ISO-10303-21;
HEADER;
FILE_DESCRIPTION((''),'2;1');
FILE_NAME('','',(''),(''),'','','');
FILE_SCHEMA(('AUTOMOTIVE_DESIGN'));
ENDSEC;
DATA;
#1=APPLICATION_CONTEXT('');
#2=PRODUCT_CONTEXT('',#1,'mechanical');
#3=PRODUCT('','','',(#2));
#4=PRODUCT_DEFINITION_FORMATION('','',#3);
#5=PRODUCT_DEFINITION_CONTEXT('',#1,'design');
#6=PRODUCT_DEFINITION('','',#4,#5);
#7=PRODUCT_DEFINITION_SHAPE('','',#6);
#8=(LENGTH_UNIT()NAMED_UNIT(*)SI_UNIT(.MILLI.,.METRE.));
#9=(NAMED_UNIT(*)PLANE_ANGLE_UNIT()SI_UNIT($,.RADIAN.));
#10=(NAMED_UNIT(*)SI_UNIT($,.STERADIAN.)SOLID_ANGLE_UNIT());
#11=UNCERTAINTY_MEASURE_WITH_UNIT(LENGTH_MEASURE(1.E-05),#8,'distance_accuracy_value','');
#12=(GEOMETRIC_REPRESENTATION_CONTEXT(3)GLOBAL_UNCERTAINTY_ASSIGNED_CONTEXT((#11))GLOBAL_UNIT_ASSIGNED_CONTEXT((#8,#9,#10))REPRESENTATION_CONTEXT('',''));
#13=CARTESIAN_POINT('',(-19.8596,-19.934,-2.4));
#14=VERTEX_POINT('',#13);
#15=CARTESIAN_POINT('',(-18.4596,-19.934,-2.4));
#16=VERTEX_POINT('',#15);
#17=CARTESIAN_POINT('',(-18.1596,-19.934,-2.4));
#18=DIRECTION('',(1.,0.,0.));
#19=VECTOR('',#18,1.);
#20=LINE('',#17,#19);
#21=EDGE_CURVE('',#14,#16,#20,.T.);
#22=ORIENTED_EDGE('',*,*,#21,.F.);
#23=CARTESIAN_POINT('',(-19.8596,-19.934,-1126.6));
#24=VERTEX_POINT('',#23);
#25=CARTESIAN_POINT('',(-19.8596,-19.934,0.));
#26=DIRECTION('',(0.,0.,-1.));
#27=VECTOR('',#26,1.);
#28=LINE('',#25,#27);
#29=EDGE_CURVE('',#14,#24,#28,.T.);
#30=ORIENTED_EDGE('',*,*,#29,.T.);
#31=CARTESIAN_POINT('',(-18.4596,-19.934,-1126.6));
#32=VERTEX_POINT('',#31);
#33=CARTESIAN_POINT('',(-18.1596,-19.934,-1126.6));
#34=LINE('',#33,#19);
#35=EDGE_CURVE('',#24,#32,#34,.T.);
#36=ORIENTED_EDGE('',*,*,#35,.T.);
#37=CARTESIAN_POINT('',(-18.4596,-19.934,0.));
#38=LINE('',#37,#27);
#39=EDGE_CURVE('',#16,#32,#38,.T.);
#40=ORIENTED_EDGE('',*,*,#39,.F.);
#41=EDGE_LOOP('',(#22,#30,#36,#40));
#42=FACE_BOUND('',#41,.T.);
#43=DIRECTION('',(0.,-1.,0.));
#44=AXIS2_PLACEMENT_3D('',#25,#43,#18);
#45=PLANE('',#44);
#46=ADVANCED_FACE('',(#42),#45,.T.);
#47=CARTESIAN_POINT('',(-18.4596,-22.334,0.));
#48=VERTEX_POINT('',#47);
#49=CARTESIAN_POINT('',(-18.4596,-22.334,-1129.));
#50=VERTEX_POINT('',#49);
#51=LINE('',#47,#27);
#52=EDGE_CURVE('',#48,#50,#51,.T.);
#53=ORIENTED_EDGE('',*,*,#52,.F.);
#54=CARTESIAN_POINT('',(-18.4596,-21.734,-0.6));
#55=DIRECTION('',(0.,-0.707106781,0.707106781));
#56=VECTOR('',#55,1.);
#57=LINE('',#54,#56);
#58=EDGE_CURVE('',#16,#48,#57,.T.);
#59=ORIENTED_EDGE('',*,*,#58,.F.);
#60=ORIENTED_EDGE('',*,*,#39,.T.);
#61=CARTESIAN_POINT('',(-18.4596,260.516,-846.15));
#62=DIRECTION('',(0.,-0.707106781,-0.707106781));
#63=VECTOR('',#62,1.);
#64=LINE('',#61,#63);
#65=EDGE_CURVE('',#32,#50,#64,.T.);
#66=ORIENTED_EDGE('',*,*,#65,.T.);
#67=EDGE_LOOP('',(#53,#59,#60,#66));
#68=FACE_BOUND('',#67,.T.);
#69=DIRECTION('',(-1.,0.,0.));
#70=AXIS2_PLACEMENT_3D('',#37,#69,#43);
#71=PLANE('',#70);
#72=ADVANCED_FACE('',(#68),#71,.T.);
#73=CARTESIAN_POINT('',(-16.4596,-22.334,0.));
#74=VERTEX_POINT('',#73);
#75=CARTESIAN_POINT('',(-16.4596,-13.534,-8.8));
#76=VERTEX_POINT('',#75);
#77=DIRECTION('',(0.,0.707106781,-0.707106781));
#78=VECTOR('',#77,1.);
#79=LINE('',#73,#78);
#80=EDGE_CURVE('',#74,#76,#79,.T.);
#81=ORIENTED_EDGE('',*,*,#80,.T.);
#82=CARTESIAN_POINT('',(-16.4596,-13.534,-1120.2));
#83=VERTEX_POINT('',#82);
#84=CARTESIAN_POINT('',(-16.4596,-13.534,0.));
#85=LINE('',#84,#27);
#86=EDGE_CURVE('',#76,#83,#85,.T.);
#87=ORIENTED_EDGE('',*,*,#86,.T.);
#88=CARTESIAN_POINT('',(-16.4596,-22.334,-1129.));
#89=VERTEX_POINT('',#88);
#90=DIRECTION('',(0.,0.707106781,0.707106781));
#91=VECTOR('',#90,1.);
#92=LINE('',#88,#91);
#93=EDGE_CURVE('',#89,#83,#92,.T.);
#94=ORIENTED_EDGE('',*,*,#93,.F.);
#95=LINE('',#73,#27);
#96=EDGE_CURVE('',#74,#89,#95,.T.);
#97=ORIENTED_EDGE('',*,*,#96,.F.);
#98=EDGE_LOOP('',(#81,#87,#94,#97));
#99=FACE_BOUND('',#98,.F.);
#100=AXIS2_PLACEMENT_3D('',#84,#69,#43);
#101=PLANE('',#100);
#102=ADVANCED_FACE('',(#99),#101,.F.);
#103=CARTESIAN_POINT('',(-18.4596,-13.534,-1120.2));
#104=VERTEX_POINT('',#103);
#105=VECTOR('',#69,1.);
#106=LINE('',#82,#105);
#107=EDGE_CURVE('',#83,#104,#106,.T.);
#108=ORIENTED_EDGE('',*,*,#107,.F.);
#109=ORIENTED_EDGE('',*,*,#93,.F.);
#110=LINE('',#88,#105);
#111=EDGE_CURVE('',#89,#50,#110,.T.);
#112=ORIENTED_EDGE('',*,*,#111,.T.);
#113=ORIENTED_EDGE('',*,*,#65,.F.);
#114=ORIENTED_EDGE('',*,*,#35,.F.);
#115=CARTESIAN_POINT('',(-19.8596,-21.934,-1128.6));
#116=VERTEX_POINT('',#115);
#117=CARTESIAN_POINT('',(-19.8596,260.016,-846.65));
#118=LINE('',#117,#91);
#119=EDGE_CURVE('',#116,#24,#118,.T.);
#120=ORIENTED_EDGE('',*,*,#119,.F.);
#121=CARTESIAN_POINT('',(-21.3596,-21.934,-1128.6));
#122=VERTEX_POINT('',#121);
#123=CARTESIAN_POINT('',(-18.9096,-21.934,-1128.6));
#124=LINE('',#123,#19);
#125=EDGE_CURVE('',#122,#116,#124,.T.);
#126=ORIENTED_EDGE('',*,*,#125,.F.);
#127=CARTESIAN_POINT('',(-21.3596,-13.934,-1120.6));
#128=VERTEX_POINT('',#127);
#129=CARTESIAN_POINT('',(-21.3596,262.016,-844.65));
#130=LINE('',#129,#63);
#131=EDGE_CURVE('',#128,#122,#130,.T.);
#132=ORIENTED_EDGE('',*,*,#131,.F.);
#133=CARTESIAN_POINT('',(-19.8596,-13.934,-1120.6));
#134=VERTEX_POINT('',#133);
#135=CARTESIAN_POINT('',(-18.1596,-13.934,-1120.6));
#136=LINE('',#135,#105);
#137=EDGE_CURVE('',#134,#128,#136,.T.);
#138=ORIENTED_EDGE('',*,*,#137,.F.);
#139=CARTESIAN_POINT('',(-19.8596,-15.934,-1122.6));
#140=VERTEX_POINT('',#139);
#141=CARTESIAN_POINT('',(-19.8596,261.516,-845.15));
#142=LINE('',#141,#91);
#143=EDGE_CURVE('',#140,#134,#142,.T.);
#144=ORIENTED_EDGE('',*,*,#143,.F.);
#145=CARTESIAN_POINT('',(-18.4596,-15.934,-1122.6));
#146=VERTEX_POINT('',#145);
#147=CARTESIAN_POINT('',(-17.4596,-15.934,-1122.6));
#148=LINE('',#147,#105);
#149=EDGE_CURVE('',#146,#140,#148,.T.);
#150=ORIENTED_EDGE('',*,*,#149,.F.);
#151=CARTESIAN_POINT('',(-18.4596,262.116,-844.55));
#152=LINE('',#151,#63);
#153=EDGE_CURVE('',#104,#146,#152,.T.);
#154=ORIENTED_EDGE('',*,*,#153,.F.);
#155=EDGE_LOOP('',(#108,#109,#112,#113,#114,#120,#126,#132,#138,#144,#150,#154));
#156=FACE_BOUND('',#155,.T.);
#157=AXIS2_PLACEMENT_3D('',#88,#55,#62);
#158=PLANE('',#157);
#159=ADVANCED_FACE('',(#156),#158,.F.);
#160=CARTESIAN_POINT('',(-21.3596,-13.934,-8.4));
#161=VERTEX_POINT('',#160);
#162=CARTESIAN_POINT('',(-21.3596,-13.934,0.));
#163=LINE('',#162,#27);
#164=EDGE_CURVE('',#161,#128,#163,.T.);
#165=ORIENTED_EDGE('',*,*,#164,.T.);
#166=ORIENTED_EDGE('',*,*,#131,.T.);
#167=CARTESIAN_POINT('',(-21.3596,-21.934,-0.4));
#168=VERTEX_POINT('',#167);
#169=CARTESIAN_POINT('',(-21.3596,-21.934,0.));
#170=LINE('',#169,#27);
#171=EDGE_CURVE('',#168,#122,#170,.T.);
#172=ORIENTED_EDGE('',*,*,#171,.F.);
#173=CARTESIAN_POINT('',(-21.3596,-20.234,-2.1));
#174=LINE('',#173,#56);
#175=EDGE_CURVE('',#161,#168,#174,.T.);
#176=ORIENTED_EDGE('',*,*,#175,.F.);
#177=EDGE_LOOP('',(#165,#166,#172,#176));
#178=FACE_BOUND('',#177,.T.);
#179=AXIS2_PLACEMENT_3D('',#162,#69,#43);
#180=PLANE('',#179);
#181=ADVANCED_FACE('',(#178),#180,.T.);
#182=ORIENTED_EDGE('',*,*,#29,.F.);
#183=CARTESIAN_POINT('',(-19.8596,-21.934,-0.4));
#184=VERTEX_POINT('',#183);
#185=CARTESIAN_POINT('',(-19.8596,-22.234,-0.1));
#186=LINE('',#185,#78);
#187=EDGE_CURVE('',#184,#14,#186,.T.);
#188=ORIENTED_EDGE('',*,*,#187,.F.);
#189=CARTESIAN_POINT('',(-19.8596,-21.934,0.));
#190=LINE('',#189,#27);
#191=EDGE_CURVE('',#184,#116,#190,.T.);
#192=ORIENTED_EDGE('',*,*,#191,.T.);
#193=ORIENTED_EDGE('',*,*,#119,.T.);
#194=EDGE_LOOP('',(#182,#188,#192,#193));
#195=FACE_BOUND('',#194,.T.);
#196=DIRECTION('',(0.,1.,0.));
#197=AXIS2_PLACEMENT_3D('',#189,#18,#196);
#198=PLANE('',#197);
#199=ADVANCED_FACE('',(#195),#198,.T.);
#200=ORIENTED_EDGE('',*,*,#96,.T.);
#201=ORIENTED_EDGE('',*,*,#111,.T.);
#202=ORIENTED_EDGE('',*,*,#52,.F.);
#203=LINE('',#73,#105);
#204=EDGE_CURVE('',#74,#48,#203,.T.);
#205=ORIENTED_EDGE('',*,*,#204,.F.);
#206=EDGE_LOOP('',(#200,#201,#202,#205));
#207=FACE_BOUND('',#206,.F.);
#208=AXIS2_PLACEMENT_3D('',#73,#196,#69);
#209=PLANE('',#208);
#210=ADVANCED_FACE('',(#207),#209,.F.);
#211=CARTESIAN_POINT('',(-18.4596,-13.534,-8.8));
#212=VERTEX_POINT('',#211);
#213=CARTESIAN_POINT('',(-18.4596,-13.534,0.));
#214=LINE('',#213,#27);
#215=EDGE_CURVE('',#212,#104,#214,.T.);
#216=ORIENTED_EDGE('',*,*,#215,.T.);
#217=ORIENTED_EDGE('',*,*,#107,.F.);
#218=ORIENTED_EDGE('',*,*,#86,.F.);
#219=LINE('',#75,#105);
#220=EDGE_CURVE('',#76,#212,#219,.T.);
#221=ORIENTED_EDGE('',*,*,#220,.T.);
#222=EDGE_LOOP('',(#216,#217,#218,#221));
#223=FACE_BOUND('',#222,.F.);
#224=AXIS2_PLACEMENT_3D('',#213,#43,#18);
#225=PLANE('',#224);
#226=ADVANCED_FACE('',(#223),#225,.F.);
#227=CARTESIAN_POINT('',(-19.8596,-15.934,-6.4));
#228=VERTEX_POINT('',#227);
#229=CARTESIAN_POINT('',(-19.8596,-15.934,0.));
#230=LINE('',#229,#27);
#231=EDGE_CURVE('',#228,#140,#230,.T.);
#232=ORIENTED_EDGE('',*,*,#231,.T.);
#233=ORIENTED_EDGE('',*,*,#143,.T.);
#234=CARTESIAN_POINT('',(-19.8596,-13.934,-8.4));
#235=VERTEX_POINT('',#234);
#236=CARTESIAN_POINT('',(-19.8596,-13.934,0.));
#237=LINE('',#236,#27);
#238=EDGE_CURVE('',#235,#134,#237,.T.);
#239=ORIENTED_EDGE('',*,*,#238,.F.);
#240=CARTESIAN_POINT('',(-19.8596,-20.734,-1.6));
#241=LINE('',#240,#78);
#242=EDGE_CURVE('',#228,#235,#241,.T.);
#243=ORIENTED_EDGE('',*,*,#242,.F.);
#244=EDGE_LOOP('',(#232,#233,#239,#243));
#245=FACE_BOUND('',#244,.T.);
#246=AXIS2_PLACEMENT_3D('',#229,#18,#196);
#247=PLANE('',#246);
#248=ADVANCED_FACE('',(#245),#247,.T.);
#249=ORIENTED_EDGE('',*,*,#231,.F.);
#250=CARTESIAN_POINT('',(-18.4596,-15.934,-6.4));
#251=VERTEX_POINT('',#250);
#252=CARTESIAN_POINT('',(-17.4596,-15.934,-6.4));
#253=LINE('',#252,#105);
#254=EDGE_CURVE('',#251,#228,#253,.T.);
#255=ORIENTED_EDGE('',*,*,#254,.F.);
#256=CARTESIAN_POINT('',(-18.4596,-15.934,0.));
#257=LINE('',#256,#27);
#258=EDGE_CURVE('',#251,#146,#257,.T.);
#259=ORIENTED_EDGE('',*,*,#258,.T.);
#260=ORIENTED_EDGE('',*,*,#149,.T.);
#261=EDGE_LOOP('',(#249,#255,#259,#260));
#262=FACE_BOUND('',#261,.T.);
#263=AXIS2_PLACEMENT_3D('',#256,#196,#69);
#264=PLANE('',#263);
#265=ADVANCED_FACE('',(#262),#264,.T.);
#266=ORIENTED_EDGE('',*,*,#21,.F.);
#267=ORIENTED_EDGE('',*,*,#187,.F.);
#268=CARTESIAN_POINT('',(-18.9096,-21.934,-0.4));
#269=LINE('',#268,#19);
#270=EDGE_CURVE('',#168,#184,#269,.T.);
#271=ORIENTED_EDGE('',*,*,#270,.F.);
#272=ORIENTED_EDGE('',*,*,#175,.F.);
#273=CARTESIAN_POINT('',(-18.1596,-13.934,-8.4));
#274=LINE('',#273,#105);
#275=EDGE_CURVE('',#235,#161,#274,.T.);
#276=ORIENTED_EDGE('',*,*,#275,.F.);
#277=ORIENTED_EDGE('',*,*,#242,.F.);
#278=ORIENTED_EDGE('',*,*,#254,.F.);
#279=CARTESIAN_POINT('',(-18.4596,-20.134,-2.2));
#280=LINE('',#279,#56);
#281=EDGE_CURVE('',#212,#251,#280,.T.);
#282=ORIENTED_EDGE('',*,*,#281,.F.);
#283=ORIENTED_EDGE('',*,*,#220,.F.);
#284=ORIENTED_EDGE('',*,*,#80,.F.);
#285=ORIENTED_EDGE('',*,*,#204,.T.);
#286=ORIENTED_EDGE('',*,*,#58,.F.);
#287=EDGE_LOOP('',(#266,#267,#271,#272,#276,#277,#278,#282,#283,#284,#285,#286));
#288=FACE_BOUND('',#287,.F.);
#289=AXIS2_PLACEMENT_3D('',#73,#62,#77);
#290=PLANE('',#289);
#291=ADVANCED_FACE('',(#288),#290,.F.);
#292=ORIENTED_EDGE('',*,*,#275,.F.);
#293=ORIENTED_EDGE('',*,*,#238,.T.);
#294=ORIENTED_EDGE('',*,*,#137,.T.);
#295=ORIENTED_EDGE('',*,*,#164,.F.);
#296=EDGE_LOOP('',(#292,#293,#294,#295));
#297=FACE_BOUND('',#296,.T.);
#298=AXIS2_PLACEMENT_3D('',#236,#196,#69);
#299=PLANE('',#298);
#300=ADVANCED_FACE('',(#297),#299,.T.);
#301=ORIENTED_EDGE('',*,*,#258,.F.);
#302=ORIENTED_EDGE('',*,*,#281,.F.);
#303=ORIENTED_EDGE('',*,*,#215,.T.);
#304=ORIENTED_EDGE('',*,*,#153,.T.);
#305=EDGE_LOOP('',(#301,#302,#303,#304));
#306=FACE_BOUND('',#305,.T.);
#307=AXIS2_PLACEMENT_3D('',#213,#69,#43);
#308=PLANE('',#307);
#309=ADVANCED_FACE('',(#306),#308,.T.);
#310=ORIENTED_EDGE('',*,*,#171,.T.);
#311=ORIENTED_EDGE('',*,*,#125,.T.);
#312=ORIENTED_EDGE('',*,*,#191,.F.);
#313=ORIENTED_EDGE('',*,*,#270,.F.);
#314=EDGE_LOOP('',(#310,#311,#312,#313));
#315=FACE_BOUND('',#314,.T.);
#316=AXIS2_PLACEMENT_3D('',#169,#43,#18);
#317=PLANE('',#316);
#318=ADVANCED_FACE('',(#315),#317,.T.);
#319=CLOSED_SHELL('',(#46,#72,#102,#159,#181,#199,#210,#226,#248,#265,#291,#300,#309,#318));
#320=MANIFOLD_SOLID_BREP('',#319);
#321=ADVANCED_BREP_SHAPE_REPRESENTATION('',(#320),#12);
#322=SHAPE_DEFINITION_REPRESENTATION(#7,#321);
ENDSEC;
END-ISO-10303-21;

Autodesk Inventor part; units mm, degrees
ref_plane "YZ Plane" through (0, 0, 0) normal (1, 0, 0) x (0, 1, 0)
ref_plane "XZ Plane" through (0, 0, 0) normal (0, 1, 0) x (-1, 0, 0)
ref_plane "XY Plane" through (0, 0, 0) normal (0, 0, 1) x (1, 0, 0)
sketch "Boceto1" plane through (0, 0, 0) normal (0, 0, 1) x (1, 0, 0)
  line L0 (-18.4596, -13.534) -> (-18.4596, -15.934)
  line L1 (-18.4596, -15.934) -> (-19.8596, -15.934)
  line L2 (-19.8596, -15.934) -> (-19.8596, -13.934)
  line L3 (-19.8596, -13.934) -> (-21.3596, -13.934)
  line L4 (-21.3596, -13.934) -> (-21.3596, -21.934)
  line L5 (-21.3596, -21.934) -> (-19.8596, -21.934)
  line L6 (-19.8596, -21.934) -> (-19.8596, -19.934)
  line L7 (-19.8596, -19.934) -> (-18.4596, -19.934)
  line L8 (-18.4596, -19.934) -> (-18.4596, -22.334)
  line L9 (-18.4596, -13.534) -> (-16.4596, -13.534)
  line L10 (-16.4596, -13.534) -> (-16.4596, -22.334)
  line L11 (-16.4596, -22.334) -> (-18.4596, -22.334)
  point P0 (-26.2596, -17.734)
  point P1 (-21.3596, -17.934)
  dimension "d28" = 1.4
  dimension "d30" = 1.4
  dimension "d34" = 8
  dimension "d35" = 2
  dimension "d36" = 4
  dimension "d37" = 1.5
  dimension "d64" = 8.8
  dimension "d65" = 2
extrude "Extrusión1" add sketch "Boceto1" against normal blind 1129
ref_plane "Plano de trabajo2" through (0, 0, -564.5) normal (0, 0, -1) x (-1, 0, 0)
sketch "Boceto3" plane through (-16.4596, -22.334, 0) normal (1, 0, 0) x (0, 0, -1)
  line L0 (0, 0) -> (0, 8.8) projected
  line L1 (0, 0) -> (1129, 0) projected
  line L2 (1129, 8.8) -> (1129, 0) projected
  line L3 (0, 8.8) -> (1129, 8.8) projected
  line L4 (0, 0) -> (8.8, 8.8)
  line L5 (8.8, 8.8) -> (0, 8.8)
  line L6 (0, 0) -> (0, 8.8)
  point P0 (0, 22.334)
  dimension "d69" = 45
extrude "Extrusión2" cut sketch "Boceto3" against normal blind 692.2 contours L0 L3 L4
mirror "Simetría2" about plane through (0, 0, -564.5) normal (0, 0, -1) of "Extrusión2"
properties part number "JUNTA DE FELPA 1128 mm" material "Caucho"
